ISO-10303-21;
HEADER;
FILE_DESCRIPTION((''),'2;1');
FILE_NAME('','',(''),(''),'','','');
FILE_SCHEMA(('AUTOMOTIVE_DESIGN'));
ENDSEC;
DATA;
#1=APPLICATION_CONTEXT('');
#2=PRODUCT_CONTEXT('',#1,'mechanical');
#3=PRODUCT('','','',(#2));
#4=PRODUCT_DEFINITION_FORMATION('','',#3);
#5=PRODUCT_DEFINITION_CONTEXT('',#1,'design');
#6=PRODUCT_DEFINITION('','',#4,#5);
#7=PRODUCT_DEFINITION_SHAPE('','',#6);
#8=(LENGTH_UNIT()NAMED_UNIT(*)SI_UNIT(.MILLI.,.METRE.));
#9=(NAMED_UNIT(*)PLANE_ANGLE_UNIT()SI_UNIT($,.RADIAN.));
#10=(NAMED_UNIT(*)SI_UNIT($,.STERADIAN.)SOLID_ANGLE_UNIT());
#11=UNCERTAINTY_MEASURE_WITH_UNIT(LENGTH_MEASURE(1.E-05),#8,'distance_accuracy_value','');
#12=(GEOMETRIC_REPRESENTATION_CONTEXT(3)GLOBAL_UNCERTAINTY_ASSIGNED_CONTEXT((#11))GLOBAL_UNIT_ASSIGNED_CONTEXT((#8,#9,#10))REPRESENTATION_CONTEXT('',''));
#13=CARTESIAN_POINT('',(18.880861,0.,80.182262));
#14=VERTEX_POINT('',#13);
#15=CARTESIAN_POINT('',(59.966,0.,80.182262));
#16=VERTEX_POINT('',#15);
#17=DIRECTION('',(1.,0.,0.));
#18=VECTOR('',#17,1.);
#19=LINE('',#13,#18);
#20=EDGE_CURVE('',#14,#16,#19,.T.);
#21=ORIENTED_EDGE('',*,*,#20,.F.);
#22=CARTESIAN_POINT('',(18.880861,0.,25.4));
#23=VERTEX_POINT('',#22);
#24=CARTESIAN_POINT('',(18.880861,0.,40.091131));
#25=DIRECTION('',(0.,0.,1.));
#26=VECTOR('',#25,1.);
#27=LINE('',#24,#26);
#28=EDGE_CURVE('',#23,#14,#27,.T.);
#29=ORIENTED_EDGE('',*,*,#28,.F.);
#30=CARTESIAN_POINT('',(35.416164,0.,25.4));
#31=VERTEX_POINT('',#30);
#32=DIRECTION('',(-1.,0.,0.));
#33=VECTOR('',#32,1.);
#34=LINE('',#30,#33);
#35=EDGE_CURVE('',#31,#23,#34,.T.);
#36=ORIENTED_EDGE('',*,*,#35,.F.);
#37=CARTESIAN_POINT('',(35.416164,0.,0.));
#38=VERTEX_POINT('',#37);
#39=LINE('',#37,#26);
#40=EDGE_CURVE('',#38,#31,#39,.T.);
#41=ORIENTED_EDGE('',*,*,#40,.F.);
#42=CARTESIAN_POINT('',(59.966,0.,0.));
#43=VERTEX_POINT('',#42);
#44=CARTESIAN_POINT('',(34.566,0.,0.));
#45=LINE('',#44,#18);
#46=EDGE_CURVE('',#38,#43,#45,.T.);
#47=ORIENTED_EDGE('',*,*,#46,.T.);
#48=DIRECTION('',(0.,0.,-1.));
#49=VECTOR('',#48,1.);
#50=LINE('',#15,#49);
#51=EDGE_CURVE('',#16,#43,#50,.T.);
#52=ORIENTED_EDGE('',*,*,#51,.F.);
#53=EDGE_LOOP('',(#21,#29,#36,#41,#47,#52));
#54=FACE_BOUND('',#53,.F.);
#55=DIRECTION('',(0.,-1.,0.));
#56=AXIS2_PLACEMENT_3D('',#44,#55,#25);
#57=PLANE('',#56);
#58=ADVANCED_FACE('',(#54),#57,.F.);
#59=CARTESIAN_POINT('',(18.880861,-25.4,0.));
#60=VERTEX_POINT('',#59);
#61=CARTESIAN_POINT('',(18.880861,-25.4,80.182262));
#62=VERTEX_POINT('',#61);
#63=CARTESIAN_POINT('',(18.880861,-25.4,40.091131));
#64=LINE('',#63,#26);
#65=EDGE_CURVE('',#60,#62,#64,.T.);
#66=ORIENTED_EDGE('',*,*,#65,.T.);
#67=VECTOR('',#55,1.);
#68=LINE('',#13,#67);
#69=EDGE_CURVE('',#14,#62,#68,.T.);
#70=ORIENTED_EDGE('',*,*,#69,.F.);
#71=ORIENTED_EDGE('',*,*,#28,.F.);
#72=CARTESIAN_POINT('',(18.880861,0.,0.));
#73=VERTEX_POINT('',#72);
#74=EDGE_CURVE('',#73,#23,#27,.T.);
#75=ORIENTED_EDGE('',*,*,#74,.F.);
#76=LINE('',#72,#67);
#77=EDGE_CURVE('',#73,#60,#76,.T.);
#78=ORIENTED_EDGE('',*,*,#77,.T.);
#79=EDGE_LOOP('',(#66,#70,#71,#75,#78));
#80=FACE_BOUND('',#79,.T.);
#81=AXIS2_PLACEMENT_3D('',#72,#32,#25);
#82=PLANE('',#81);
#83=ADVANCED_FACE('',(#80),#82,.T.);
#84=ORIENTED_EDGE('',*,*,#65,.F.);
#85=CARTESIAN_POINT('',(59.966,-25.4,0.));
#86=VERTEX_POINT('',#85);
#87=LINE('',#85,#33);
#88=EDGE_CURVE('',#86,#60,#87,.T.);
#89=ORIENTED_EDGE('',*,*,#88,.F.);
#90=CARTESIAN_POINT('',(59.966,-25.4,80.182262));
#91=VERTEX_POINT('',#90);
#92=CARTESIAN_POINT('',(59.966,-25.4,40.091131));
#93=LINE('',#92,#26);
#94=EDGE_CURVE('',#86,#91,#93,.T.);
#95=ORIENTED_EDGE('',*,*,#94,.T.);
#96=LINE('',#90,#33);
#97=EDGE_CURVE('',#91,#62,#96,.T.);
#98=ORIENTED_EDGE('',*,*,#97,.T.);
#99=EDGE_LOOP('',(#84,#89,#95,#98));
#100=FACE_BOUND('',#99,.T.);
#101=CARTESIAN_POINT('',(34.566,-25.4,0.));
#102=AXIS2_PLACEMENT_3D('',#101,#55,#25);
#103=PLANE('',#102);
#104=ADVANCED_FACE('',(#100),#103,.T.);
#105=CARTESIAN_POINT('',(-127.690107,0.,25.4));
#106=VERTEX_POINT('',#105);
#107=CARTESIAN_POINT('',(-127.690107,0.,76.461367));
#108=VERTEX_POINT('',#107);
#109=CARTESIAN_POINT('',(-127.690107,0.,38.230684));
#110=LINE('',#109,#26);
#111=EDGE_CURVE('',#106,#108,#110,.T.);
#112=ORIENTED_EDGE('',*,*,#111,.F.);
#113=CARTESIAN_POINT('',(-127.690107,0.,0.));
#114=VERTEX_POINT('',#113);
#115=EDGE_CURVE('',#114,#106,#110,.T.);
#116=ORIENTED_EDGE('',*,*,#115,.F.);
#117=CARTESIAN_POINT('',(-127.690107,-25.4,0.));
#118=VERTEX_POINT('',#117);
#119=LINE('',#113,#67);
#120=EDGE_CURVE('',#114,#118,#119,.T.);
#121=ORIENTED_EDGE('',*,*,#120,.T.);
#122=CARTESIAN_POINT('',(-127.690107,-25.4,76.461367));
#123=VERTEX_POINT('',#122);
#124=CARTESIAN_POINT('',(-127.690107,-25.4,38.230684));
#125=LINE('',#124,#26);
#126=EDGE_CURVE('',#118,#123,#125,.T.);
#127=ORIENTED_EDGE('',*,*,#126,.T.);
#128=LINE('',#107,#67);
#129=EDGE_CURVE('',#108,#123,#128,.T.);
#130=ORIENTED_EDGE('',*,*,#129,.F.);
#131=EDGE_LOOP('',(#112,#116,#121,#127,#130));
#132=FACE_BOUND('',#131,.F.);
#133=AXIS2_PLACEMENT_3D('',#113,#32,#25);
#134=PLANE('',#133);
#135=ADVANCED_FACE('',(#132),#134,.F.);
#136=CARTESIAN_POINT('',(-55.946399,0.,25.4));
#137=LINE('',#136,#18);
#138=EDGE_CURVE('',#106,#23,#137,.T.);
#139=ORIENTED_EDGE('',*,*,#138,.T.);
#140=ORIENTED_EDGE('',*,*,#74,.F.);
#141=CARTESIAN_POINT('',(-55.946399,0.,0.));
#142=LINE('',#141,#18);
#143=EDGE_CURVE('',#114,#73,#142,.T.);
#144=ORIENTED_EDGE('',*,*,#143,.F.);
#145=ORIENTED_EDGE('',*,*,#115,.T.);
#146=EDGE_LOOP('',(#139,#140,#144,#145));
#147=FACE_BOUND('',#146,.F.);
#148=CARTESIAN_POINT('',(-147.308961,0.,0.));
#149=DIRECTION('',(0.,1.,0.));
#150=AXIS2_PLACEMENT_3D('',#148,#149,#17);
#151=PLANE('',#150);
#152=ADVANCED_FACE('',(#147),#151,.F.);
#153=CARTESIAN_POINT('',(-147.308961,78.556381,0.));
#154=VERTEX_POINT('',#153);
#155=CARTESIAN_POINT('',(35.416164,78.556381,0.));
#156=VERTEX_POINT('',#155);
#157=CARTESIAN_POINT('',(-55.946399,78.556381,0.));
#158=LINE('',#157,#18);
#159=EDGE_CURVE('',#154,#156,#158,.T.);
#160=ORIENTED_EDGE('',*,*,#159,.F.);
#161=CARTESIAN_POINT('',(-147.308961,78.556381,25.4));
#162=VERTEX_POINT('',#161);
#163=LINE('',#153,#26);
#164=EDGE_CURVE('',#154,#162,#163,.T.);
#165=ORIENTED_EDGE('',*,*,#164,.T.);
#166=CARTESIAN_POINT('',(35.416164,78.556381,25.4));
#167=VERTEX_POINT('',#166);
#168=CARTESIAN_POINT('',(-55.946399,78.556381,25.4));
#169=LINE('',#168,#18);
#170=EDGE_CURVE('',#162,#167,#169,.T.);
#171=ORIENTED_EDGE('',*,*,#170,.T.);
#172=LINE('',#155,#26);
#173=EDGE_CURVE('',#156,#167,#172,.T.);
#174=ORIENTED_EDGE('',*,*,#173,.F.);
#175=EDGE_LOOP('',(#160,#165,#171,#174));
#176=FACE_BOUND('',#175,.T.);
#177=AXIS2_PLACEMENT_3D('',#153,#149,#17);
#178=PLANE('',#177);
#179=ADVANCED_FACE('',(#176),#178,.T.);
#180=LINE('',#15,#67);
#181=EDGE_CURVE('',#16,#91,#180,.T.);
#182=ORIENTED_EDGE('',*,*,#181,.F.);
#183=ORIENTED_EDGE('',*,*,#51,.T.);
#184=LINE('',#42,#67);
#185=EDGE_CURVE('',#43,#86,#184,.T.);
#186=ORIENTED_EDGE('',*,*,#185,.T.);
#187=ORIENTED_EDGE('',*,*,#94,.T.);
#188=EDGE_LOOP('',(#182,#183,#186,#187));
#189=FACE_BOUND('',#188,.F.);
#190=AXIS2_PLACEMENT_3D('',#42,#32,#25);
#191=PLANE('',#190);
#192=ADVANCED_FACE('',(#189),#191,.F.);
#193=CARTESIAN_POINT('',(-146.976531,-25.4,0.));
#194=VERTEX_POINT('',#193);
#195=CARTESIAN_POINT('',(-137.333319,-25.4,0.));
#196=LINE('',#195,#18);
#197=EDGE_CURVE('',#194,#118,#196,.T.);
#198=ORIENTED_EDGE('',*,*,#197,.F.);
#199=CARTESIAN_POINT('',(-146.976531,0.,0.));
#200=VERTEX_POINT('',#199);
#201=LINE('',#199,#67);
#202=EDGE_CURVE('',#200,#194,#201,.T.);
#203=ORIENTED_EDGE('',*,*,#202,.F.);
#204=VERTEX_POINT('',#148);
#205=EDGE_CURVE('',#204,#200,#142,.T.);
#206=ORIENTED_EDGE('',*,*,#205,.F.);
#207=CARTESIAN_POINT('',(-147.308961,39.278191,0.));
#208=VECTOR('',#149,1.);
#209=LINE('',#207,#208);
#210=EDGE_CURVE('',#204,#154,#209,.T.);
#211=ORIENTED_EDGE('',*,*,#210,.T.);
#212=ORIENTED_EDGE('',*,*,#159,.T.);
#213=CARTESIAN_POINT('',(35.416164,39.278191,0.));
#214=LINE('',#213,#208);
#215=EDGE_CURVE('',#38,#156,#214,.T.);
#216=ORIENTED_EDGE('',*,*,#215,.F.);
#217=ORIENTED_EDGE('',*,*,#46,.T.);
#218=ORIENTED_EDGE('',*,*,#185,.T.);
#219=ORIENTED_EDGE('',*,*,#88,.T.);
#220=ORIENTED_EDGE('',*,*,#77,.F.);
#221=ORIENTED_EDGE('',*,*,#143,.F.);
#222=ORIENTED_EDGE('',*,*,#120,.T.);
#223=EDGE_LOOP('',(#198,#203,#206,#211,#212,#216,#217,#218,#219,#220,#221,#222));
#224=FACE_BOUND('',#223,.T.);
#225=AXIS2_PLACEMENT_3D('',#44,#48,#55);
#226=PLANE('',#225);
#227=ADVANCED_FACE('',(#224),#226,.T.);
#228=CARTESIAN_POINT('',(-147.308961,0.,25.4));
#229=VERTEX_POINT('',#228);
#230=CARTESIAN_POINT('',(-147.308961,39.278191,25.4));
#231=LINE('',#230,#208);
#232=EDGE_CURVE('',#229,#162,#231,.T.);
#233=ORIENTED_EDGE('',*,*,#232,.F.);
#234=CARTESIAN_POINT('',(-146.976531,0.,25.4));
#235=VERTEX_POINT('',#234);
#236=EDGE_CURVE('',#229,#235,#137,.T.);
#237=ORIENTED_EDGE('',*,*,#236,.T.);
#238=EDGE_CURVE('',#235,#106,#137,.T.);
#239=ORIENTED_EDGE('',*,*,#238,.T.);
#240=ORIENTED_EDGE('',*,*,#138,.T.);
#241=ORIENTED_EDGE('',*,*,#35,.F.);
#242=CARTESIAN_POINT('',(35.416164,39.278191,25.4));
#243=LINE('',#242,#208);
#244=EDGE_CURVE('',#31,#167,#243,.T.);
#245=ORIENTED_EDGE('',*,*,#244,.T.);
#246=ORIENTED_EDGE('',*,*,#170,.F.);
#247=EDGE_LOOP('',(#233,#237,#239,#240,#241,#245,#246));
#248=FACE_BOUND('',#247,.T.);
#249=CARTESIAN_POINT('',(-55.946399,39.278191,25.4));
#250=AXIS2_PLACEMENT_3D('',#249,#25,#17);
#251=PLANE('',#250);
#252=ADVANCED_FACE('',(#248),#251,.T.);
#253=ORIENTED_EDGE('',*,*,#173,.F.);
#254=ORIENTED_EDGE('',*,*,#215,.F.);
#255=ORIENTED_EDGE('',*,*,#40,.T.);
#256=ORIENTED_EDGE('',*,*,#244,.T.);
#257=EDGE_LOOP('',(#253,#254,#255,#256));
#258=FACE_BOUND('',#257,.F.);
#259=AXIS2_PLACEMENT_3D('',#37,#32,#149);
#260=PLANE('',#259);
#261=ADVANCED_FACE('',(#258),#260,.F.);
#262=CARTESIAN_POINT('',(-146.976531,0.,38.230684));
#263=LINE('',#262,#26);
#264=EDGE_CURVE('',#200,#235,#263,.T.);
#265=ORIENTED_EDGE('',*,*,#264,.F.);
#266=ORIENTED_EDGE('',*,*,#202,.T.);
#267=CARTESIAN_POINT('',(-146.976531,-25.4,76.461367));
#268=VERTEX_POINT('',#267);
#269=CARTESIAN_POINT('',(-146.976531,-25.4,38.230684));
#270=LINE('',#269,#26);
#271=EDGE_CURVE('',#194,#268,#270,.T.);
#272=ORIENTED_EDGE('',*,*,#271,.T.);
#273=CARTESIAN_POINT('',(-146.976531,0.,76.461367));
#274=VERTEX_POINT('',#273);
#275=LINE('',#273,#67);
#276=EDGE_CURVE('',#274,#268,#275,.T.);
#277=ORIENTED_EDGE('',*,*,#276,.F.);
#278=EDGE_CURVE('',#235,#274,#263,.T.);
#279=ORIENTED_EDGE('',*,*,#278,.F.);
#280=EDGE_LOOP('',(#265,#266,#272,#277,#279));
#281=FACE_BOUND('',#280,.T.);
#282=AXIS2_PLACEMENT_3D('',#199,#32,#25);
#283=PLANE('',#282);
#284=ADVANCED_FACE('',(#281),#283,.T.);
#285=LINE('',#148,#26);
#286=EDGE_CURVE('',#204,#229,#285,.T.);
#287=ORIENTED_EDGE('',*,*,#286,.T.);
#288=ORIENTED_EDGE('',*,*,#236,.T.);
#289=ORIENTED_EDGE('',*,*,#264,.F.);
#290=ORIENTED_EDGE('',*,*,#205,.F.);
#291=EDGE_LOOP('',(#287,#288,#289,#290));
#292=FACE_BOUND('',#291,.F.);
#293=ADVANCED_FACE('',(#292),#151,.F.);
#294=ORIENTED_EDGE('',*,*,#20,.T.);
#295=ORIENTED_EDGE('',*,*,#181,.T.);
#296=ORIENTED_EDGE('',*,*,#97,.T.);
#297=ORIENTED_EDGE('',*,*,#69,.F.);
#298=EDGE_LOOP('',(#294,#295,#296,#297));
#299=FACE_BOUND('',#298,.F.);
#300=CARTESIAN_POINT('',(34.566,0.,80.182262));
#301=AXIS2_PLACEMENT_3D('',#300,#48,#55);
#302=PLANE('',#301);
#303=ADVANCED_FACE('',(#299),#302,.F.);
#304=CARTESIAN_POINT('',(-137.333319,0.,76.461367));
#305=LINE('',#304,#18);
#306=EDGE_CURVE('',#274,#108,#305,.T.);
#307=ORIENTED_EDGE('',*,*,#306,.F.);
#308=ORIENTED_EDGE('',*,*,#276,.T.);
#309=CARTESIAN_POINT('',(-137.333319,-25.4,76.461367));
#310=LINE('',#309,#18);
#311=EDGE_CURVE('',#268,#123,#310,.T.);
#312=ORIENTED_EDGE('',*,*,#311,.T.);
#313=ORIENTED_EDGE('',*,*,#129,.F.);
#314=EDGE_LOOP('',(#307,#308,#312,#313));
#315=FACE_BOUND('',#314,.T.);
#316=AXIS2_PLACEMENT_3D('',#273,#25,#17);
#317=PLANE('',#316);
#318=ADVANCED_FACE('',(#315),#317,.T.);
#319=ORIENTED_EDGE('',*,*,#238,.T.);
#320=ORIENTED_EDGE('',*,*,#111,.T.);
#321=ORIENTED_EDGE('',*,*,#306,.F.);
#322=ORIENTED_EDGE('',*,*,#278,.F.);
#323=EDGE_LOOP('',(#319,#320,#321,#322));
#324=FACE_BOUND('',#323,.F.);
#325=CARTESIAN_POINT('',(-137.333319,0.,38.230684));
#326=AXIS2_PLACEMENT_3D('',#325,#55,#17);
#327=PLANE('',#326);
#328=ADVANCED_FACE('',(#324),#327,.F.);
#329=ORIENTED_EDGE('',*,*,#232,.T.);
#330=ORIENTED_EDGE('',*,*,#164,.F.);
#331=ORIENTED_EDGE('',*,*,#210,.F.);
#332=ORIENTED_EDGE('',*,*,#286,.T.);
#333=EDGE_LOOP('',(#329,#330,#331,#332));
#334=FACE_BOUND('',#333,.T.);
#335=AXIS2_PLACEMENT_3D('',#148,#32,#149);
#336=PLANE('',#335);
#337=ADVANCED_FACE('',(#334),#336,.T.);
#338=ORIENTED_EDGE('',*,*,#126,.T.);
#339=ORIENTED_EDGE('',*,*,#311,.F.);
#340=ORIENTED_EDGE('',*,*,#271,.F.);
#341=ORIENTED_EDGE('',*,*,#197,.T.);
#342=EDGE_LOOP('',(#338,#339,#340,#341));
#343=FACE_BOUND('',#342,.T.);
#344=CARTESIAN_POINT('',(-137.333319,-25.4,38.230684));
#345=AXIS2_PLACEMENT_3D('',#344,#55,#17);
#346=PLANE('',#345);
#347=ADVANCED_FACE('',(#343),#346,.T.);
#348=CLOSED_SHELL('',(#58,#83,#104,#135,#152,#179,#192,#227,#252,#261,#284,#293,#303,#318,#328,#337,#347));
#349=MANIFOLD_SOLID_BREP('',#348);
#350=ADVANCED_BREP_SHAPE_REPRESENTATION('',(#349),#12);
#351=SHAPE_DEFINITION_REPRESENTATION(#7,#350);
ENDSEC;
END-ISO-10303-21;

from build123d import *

# Parameters (mm, degrees)
F0_W     = 182.7251240611
F0_H     = 78.556381166
F1_DEPTH = 25.4
F2_W     = 19.2864239216
F2_H     = 76.4613673091
F3_DEPTH = 25.4
F4_W     = 15.6851392239
F4_H     = 80.182261765
F5_DEPTH = 25.4
F6_DEPTH = 25.4


with BuildPart() as f1:
    # F0 (on Top) → F1 (new body)
    with BuildSketch(Plane.XY):
        with Locations((-55.9463985264, 39.278190583)):
            Rectangle(F0_W, F0_H)
    extrude(amount=F1_DEPTH)

    # F2 (on Front) → F3 (join)
    with BuildSketch(Plane.XZ):
        with Locations((-137.3333185911, 38.2306836545)):
            Rectangle(F2_W, F2_H)
    extrude(amount=F3_DEPTH)

    # F4 (on Front) → F5 (join)
    with BuildSketch(Plane.XZ):
        with Locations((26.723430492, 40.0911308825)):
            Rectangle(F4_W, F4_H)
    extrude(amount=F5_DEPTH)

    # F6 (add): a face of the model
    f6_faces = [f1.faces().sort_by_distance(p)[0] for p in [
        (34.566000104, -12.7, 40.0911308825),
    ]]
    extrude(f6_faces, amount=F6_DEPTH)


solid = f1.part
